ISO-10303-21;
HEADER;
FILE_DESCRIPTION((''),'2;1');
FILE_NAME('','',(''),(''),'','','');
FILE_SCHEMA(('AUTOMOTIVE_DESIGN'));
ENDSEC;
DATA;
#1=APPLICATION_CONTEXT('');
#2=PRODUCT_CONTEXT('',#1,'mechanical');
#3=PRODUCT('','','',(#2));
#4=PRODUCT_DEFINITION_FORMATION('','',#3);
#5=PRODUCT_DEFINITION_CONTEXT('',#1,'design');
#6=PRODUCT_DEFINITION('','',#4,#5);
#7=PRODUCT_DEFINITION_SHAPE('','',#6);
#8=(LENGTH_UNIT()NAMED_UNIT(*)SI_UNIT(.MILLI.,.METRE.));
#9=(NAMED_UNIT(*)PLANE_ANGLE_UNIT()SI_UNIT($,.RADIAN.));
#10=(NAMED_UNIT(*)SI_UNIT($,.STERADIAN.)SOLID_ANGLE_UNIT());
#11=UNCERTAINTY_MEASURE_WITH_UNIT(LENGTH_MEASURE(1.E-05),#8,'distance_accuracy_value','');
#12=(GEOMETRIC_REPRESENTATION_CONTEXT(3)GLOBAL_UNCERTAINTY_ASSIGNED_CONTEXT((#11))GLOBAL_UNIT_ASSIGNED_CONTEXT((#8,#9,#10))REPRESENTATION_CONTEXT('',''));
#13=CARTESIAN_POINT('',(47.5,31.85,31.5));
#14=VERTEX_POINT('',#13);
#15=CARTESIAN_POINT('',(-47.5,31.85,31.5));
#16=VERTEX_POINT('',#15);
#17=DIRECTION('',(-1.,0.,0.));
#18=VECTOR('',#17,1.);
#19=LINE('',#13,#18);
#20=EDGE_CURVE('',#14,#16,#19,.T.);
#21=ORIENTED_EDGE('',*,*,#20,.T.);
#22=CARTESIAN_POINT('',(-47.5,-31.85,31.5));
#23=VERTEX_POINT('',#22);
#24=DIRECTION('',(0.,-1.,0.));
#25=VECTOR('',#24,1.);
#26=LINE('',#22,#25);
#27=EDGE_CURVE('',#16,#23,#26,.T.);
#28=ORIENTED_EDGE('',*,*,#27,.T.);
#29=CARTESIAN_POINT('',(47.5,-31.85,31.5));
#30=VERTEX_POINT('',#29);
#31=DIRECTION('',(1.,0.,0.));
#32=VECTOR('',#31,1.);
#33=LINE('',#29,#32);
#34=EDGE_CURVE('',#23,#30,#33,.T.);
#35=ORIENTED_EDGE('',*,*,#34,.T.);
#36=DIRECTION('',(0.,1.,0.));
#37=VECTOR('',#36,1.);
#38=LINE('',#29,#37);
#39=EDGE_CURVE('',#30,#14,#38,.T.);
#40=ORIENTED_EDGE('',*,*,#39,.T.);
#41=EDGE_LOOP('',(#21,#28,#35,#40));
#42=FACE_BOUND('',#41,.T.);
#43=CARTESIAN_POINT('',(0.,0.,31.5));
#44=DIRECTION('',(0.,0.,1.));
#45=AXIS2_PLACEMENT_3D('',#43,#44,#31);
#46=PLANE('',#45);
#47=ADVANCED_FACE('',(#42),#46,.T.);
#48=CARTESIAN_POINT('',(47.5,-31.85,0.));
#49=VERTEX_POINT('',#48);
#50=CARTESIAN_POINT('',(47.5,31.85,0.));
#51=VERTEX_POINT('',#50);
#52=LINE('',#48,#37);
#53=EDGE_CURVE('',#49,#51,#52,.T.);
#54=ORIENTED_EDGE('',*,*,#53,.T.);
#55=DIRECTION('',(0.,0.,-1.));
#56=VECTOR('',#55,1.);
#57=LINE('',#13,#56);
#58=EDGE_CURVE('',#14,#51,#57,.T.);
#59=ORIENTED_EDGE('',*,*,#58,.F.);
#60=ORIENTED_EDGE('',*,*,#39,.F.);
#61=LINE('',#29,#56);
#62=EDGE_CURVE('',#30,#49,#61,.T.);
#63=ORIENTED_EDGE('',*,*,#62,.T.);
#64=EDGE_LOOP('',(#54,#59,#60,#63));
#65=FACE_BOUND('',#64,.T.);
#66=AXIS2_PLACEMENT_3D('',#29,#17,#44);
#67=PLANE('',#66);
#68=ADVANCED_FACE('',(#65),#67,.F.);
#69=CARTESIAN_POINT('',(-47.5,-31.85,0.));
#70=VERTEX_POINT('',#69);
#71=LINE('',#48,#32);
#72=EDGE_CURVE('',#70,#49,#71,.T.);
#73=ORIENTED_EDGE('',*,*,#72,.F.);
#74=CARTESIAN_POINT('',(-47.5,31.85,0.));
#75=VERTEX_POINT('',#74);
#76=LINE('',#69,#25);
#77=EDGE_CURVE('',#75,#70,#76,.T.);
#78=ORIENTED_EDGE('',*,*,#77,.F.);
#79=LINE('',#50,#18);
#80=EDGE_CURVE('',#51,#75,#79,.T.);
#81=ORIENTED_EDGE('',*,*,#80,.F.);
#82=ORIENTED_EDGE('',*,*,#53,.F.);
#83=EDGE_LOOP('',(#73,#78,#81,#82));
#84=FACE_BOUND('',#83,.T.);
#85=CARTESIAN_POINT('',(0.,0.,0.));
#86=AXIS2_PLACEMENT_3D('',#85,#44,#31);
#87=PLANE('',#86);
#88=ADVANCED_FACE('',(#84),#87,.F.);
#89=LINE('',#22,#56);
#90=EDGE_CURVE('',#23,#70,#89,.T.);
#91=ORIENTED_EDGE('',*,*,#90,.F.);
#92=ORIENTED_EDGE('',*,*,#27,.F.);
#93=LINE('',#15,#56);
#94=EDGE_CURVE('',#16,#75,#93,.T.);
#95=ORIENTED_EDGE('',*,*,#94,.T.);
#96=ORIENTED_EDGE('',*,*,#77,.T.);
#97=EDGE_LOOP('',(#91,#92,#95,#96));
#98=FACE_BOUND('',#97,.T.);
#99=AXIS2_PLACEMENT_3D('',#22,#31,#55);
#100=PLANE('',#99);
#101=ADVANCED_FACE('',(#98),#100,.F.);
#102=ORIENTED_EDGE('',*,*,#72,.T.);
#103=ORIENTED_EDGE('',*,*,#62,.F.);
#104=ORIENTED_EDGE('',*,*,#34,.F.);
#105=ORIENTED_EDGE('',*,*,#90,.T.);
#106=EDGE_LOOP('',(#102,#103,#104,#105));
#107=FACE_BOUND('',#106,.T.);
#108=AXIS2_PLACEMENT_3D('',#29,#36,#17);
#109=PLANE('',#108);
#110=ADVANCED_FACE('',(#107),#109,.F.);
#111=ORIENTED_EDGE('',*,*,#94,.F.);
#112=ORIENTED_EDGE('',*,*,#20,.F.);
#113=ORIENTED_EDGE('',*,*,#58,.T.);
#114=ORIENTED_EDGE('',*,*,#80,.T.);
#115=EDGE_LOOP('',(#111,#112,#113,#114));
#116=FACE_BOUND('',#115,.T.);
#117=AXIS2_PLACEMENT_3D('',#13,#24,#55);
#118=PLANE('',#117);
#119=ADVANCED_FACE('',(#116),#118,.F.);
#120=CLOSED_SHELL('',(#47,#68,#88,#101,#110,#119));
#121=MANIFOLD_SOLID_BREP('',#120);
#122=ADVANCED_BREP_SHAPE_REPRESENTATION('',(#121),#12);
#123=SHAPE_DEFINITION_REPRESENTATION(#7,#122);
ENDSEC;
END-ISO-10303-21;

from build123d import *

# Parameters (mm, degrees)
ESQUISSE1_W        = 95
ESQUISSE1_H        = 63.7
BOSS_EXTRU_1_DEPTH = 31.5


with BuildPart() as part:
    # Esquisse1 → Boss.-Extru.1 (new body)
    with BuildSketch(Plane.XY):
        Rectangle(ESQUISSE1_W, ESQUISSE1_H)
    extrude(amount=BOSS_EXTRU_1_DEPTH)


solid = part.part
